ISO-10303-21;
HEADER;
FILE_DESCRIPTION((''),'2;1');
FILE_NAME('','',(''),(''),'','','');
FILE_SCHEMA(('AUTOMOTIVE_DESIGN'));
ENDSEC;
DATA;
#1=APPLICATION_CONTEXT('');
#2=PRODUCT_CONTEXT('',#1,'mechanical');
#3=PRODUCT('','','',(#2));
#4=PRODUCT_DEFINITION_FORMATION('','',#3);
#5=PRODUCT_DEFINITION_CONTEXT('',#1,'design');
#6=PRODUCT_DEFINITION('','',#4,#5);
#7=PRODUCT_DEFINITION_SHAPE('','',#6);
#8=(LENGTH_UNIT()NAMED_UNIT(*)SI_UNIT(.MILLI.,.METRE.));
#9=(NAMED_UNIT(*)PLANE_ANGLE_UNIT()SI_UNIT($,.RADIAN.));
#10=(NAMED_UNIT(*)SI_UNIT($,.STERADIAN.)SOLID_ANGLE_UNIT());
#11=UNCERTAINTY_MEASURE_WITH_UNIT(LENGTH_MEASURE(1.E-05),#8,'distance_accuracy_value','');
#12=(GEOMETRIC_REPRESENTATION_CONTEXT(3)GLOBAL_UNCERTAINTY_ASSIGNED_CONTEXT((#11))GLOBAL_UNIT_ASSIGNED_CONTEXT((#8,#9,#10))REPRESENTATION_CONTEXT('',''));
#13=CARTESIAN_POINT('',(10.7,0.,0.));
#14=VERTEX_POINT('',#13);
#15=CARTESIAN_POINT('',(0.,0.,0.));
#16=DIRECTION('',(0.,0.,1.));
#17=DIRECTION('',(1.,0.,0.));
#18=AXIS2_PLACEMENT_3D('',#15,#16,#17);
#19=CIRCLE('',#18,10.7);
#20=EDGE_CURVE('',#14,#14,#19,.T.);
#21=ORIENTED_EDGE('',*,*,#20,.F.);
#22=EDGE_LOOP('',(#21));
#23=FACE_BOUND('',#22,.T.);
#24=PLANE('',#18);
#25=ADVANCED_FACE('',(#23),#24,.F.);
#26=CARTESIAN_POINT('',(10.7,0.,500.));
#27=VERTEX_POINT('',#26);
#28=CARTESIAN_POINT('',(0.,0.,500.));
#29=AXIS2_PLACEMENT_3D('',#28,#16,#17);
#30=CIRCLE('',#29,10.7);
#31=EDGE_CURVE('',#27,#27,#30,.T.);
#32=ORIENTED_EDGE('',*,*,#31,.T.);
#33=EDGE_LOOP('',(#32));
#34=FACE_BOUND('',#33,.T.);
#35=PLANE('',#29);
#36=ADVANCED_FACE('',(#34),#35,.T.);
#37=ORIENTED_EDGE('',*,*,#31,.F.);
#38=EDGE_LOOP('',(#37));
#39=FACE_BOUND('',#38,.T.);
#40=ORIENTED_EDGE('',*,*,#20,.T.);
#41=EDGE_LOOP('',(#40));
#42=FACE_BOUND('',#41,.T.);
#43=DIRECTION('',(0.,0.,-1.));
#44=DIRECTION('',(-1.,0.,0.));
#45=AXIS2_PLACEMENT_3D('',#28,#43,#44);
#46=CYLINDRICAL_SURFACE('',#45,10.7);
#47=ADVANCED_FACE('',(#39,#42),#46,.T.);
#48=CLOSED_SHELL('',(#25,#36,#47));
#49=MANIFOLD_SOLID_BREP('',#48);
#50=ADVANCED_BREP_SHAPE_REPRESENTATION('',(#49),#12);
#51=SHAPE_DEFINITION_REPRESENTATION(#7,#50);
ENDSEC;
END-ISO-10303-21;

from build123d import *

# Parameters (mm, degrees)
SKETCH_1_R      = 10.7
EXTRUDE_2_DEPTH = 500


with BuildPart() as part:
    # Эскиз1 → Бобышка-Вытянуть2 (new body)
    with BuildSketch(Plane.XY):
        Circle(SKETCH_1_R)
    extrude(amount=EXTRUDE_2_DEPTH)


solid = part.part
